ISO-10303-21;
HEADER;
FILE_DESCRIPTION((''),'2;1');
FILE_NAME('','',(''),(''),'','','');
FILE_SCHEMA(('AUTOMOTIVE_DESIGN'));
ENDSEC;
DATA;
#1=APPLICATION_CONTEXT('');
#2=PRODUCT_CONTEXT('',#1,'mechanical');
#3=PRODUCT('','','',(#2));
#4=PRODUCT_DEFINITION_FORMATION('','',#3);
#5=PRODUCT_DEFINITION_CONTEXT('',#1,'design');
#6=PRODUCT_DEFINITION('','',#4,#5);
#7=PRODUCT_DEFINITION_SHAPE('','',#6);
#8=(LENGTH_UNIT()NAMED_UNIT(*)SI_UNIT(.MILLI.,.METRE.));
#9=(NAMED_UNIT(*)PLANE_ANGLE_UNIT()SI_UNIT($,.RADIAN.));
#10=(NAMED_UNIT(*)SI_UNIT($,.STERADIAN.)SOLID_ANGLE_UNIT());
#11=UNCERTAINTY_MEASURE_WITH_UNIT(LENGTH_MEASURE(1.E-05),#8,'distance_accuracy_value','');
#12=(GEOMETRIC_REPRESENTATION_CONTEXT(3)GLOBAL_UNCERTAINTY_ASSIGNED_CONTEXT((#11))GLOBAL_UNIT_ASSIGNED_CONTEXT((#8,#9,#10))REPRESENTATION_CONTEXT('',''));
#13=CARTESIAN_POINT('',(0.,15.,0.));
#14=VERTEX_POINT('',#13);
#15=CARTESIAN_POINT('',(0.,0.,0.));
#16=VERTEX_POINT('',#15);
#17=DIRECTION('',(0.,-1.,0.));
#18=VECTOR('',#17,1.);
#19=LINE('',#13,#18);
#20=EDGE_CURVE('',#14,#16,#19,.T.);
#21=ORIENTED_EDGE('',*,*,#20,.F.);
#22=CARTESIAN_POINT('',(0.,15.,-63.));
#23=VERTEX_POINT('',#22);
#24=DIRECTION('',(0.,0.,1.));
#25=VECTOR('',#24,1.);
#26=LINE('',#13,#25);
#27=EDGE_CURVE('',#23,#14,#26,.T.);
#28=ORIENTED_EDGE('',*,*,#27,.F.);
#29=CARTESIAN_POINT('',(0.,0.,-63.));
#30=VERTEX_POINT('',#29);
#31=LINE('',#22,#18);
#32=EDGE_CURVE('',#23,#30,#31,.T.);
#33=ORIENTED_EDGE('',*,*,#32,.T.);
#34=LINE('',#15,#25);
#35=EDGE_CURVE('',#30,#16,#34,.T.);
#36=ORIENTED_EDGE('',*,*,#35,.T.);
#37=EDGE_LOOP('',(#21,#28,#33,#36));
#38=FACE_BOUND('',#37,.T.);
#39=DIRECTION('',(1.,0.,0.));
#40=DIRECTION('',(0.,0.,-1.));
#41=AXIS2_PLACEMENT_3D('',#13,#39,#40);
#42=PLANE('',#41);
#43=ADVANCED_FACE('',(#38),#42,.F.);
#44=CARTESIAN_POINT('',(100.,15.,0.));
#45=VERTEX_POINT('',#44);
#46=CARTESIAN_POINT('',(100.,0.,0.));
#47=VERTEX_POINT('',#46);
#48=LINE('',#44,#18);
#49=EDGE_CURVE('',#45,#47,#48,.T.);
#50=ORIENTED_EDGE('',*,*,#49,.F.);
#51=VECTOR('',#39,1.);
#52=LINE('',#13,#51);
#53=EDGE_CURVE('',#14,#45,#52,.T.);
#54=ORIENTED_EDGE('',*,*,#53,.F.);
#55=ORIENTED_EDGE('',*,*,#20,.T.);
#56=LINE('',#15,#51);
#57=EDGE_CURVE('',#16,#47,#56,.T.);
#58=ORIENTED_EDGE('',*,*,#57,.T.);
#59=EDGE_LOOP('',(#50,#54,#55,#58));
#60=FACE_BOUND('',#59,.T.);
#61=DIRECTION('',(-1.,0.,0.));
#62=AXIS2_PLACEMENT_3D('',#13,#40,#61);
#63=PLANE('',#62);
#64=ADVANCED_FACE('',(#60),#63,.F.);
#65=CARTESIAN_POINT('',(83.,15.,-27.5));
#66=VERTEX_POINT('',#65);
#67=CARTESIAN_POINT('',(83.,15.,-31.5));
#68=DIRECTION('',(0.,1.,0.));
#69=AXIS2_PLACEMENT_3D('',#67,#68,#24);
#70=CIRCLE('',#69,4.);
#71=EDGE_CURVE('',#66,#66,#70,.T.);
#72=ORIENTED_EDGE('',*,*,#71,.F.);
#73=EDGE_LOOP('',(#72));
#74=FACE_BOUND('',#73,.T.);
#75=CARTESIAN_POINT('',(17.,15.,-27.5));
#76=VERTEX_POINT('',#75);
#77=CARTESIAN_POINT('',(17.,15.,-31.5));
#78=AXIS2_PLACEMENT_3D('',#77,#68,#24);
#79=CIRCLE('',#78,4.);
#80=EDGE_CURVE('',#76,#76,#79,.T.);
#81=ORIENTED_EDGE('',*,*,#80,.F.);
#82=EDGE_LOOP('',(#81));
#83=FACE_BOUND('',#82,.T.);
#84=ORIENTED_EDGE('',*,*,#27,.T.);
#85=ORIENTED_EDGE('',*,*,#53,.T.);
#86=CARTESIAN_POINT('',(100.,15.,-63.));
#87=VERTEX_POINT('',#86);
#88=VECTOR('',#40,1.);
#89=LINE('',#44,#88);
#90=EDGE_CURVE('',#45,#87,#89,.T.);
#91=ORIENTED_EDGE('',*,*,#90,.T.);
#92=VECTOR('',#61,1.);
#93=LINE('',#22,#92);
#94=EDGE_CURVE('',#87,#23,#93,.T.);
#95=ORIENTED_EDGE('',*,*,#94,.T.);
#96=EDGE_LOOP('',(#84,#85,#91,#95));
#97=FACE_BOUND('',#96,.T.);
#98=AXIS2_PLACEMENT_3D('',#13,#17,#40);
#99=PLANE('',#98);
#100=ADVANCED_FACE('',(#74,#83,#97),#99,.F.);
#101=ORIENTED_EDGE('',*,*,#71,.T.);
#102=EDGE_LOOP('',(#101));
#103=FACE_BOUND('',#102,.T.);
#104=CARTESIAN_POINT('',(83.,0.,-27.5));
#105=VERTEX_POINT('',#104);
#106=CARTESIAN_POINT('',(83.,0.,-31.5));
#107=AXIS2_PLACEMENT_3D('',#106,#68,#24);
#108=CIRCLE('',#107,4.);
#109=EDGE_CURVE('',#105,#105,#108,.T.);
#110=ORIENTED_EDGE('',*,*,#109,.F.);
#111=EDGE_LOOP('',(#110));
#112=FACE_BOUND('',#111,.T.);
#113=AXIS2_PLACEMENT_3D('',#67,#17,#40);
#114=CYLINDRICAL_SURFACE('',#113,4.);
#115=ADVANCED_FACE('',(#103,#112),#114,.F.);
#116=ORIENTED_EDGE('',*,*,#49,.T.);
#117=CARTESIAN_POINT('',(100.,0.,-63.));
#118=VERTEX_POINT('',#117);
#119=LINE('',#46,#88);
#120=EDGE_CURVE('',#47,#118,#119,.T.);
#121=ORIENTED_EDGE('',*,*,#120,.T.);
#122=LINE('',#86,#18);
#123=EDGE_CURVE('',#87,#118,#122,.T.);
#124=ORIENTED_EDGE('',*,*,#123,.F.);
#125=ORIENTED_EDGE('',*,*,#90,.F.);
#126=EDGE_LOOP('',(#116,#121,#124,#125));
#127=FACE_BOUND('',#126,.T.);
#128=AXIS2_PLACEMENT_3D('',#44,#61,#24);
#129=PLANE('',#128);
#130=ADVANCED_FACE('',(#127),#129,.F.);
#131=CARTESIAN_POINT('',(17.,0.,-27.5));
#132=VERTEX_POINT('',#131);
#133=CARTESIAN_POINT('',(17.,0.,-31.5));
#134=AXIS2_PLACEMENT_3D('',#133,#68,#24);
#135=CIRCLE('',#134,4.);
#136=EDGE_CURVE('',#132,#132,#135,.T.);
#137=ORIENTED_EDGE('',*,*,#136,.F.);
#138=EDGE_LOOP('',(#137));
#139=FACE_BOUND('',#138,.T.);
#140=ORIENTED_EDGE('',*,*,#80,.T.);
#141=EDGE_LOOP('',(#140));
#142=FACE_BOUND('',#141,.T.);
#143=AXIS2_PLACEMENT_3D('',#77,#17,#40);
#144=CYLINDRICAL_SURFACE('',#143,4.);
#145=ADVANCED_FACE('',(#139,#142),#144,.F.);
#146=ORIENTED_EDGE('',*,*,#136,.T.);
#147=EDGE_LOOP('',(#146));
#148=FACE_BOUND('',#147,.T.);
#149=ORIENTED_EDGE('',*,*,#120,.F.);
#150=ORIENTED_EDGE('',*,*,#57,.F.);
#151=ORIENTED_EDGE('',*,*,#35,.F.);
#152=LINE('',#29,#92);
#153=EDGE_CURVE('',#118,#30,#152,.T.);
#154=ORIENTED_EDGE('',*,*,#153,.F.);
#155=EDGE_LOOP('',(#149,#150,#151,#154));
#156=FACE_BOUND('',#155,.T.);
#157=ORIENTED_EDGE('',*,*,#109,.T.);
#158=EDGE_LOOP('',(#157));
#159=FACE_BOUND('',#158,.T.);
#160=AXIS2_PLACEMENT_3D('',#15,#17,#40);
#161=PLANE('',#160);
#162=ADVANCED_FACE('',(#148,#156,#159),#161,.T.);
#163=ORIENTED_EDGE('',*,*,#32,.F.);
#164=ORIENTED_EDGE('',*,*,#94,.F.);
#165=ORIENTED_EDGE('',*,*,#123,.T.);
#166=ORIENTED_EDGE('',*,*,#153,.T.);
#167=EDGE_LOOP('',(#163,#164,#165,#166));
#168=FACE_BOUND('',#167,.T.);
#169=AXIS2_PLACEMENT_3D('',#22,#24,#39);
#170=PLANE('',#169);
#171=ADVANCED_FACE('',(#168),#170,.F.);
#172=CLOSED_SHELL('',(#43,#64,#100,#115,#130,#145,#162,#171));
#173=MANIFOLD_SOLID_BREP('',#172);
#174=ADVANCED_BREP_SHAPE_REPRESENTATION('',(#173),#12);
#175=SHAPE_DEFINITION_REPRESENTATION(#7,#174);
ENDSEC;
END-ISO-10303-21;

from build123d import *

# Parameters (mm, degrees)
CROQUIS1_W              = 100
CROQUIS1_H              = 63
CROQUIS1_R              = 4
SALIENTE_EXTRUIR1_DEPTH = 15


with BuildPart() as part:
    # Croquis1 → Saliente-Extruir1 (new body)
    with BuildSketch(Plane(origin=(0, 0, 0), x_dir=(1, 0, 0), z_dir=(0, 1, 0))):
        with Locations((50, 31.5)):
            Rectangle(CROQUIS1_W, CROQUIS1_H)
        with Locations(Location((17, 31.5, 0), (0, 0, 270))):
            Circle(CROQUIS1_R, mode=Mode.SUBTRACT)
        with Locations(Location((83, 31.5, 0), (0, 0, 270))):
            Circle(CROQUIS1_R, mode=Mode.SUBTRACT)
    extrude(amount=SALIENTE_EXTRUIR1_DEPTH)


solid = part.part
